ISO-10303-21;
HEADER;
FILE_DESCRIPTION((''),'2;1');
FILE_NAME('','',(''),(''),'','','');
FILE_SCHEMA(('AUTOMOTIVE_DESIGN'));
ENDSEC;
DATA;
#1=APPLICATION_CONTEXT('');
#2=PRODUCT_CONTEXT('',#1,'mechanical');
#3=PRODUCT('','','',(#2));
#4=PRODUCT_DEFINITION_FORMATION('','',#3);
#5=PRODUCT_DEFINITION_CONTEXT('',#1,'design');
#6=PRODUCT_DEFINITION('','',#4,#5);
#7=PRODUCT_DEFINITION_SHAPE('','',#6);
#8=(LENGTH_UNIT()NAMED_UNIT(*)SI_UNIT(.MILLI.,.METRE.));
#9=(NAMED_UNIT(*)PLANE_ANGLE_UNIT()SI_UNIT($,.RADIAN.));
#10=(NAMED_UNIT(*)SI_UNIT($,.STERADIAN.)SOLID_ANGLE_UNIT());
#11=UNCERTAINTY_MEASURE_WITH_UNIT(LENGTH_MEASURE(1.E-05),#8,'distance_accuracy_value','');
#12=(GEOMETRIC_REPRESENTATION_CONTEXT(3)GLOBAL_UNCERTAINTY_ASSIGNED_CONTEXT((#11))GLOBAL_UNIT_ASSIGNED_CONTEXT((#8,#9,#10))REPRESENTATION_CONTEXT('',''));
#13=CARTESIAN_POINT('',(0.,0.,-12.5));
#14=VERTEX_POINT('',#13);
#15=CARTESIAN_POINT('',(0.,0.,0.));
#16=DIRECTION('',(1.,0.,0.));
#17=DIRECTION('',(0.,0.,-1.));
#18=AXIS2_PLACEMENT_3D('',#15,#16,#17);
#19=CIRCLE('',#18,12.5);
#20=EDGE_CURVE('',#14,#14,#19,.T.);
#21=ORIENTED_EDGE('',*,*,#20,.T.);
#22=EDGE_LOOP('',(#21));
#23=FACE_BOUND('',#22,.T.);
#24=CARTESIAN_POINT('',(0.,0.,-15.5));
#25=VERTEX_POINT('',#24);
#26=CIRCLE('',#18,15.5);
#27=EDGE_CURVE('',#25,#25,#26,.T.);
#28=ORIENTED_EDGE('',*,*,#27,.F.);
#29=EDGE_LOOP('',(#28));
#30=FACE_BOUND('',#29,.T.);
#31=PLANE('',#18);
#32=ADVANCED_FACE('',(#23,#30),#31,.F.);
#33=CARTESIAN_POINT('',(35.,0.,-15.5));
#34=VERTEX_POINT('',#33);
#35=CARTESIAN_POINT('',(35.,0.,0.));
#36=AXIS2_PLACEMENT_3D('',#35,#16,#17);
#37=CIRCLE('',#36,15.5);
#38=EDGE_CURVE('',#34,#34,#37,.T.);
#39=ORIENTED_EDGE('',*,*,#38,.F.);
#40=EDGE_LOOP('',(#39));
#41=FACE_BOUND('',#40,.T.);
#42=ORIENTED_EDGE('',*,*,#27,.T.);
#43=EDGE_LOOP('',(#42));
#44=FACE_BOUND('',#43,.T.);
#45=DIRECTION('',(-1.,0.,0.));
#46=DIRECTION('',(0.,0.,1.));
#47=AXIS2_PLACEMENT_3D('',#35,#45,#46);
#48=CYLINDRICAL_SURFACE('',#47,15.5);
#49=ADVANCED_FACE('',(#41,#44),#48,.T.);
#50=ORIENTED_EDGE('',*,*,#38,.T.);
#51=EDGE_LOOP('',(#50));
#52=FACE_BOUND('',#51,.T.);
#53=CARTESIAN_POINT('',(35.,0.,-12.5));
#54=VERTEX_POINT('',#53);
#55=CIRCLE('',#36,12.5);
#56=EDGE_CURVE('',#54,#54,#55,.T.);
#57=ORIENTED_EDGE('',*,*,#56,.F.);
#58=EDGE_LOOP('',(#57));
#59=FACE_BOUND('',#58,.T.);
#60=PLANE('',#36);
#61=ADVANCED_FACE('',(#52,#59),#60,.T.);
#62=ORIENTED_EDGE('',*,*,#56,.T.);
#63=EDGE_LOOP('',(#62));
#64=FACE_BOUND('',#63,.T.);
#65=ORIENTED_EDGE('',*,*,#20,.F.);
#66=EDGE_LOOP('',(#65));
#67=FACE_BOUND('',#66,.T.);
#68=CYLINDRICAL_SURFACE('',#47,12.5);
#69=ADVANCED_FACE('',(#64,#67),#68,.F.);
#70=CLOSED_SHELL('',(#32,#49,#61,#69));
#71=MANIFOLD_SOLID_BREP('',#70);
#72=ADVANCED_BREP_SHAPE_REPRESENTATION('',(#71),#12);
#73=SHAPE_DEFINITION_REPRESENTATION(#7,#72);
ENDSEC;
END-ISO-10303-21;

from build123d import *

# Parameters (mm, degrees)
SZKIC1_R                    = 15.5
SZKIC1_R_2                  = 12.5
DODANIE_WYCI_GNI_CIE1_DEPTH = 35


with BuildPart() as part:
    # Szkic1 → Dodanie-wyciągnięcie1 (new body)
    with BuildSketch(Plane(origin=(0, 0, 0), x_dir=(0, 0, -1), z_dir=(1, 0, 0))):
        Circle(SZKIC1_R)
        Circle(SZKIC1_R_2, mode=Mode.SUBTRACT)
    extrude(amount=DODANIE_WYCI_GNI_CIE1_DEPTH)


solid = part.part
